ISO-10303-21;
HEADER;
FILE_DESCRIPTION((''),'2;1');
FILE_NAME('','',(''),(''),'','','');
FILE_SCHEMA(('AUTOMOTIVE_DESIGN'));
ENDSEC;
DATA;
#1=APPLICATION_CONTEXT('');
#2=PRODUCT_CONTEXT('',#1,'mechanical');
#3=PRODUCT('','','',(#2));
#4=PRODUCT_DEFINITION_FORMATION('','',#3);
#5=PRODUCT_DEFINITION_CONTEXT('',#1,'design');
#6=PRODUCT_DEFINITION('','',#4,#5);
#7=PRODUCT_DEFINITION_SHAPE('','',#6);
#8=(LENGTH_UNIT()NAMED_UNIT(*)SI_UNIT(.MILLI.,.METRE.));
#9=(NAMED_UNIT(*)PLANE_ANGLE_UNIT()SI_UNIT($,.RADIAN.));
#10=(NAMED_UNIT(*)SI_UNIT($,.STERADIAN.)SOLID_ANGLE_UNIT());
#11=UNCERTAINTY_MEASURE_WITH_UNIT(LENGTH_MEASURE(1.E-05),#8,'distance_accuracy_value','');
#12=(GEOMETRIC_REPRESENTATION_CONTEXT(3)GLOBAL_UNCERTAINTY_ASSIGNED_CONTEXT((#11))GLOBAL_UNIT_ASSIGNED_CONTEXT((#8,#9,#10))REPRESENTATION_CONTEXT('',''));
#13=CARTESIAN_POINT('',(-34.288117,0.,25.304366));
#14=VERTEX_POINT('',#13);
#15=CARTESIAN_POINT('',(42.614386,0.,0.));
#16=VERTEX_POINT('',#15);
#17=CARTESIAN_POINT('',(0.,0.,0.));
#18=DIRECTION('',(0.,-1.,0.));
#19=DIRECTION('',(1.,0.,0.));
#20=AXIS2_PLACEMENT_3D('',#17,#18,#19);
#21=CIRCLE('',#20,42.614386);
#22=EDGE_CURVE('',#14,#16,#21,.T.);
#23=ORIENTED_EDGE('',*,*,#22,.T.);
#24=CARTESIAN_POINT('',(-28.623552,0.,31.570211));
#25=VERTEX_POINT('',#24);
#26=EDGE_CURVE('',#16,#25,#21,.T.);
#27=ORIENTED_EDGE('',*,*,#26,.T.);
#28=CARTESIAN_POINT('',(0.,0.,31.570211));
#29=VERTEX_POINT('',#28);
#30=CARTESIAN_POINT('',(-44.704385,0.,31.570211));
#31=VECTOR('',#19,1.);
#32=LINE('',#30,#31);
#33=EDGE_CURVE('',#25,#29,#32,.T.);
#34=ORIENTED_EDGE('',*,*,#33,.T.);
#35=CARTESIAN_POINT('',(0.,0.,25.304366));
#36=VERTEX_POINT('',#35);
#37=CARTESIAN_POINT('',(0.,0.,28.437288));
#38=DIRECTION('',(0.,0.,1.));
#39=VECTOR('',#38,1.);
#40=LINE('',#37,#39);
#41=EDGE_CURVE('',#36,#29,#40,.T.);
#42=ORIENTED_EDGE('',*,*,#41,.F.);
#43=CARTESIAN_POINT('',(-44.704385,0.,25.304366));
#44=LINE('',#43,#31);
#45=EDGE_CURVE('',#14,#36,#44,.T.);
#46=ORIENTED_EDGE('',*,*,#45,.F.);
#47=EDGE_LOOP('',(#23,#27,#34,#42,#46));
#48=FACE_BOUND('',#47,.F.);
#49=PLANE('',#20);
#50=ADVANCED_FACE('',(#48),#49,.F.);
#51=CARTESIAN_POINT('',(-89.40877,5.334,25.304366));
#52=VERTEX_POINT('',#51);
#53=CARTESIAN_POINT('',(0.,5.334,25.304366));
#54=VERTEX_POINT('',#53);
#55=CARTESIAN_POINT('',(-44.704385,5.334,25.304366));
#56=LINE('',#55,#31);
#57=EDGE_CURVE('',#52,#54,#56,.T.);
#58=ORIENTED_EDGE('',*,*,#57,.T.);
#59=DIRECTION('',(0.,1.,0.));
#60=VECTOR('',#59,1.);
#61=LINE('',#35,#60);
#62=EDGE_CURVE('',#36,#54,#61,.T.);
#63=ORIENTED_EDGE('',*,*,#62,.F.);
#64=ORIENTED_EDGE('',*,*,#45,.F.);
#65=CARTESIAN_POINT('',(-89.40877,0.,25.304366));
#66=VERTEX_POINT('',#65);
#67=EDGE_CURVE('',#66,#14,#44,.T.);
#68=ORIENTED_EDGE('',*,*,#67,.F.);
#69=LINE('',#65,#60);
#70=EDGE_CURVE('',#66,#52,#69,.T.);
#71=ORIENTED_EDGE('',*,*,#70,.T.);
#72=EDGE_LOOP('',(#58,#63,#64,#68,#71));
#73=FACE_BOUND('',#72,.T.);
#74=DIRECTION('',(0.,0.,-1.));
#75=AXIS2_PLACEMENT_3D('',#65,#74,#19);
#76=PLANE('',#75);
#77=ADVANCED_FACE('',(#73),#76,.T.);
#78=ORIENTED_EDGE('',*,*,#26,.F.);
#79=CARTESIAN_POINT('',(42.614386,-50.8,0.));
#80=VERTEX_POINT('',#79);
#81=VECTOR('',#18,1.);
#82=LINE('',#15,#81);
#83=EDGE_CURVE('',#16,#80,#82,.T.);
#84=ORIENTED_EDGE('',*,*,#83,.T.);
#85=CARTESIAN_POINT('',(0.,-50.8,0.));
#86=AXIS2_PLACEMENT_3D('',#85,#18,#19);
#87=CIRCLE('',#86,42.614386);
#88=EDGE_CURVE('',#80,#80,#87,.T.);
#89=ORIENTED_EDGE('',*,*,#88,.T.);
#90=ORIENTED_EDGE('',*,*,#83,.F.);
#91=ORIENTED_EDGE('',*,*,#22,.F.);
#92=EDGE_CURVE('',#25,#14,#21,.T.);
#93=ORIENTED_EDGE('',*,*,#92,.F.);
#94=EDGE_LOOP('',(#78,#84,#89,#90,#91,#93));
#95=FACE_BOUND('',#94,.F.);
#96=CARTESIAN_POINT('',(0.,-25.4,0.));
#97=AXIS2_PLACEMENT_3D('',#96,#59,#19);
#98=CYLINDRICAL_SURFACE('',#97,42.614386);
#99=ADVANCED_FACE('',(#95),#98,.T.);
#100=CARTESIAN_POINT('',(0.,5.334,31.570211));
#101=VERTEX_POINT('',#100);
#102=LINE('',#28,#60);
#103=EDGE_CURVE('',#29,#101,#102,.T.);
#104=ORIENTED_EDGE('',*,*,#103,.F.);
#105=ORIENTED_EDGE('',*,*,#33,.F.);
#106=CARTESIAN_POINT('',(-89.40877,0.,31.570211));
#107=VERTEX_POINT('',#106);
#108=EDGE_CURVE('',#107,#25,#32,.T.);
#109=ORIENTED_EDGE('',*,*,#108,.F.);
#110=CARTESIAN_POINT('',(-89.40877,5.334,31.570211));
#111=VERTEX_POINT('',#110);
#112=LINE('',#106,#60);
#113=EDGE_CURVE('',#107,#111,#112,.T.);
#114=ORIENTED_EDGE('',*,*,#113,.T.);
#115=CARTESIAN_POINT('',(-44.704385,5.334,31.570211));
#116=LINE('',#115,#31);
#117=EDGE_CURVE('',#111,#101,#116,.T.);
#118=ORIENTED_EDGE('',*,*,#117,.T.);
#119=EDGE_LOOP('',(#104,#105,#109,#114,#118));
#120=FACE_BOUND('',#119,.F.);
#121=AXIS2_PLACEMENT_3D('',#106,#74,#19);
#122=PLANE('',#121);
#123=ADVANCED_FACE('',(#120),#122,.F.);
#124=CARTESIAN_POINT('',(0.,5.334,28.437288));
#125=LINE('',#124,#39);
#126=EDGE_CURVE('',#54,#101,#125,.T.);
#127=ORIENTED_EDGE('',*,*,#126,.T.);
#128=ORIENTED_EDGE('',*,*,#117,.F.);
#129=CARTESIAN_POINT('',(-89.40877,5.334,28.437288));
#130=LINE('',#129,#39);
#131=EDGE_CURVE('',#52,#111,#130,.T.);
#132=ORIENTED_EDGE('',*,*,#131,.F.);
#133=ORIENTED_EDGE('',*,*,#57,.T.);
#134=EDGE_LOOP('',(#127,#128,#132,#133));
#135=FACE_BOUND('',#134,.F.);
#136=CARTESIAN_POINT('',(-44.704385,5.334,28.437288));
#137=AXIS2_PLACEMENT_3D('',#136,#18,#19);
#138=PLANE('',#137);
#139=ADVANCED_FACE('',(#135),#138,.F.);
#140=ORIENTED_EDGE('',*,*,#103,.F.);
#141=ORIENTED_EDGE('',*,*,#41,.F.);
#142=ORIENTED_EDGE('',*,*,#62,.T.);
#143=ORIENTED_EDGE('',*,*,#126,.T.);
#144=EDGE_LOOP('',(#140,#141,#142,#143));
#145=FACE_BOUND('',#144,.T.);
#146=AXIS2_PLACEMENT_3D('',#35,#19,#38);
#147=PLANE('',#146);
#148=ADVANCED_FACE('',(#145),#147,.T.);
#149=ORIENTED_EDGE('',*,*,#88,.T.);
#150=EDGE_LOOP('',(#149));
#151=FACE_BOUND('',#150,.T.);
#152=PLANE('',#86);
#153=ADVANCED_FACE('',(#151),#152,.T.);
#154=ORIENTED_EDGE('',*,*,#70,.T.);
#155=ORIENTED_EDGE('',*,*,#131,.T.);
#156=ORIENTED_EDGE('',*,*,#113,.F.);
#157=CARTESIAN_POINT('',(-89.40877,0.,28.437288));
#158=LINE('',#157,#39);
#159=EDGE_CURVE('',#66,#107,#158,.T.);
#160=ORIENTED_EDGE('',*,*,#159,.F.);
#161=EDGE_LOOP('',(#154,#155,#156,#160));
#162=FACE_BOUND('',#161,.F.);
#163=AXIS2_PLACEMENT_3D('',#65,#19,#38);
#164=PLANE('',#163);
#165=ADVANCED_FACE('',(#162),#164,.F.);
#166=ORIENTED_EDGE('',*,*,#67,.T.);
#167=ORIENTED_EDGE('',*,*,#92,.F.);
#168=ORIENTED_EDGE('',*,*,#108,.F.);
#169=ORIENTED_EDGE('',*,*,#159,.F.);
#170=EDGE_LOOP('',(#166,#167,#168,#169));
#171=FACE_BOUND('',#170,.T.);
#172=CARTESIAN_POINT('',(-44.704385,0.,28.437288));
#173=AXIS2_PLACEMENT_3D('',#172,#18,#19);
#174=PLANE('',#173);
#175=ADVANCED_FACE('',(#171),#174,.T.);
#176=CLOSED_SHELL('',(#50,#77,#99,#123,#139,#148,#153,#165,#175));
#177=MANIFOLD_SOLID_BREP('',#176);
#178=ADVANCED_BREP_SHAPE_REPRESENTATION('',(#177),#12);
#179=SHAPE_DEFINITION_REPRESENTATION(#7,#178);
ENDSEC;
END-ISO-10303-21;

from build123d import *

# Parameters (mm, degrees)
F0_R     = 42.6143864145
F0_R_2   = 6.7521330408
F1_DEPTH = 25.4
F2_DEPTH = 25.4
F3_W     = 89.4087702036
F3_H     = 6.2658451498
F4_DEPTH = 5.334


with BuildPart() as f1:
    # F0 (on Front) → F1 (new body)
    with BuildSketch(Plane.XZ):
        Circle(F0_R)
        Circle(F0_R_2, mode=Mode.SUBTRACT)
        Circle(F0_R_2)
    extrude(amount=F1_DEPTH)

    # F2 (add): a face of the model
    f2_faces = [f1.faces().sort_by_distance(p)[0] for p in [
        (0, -25.4, 0),
    ]]
    extrude(f2_faces, amount=F2_DEPTH)

    # F3 (on Front) → F4 (join)
    with BuildSketch(Plane.XZ):
        with Locations((-44.7043851018, 28.437288478)):
            Rectangle(F3_W, F3_H)
    extrude(amount=-F4_DEPTH)


solid = f1.part
